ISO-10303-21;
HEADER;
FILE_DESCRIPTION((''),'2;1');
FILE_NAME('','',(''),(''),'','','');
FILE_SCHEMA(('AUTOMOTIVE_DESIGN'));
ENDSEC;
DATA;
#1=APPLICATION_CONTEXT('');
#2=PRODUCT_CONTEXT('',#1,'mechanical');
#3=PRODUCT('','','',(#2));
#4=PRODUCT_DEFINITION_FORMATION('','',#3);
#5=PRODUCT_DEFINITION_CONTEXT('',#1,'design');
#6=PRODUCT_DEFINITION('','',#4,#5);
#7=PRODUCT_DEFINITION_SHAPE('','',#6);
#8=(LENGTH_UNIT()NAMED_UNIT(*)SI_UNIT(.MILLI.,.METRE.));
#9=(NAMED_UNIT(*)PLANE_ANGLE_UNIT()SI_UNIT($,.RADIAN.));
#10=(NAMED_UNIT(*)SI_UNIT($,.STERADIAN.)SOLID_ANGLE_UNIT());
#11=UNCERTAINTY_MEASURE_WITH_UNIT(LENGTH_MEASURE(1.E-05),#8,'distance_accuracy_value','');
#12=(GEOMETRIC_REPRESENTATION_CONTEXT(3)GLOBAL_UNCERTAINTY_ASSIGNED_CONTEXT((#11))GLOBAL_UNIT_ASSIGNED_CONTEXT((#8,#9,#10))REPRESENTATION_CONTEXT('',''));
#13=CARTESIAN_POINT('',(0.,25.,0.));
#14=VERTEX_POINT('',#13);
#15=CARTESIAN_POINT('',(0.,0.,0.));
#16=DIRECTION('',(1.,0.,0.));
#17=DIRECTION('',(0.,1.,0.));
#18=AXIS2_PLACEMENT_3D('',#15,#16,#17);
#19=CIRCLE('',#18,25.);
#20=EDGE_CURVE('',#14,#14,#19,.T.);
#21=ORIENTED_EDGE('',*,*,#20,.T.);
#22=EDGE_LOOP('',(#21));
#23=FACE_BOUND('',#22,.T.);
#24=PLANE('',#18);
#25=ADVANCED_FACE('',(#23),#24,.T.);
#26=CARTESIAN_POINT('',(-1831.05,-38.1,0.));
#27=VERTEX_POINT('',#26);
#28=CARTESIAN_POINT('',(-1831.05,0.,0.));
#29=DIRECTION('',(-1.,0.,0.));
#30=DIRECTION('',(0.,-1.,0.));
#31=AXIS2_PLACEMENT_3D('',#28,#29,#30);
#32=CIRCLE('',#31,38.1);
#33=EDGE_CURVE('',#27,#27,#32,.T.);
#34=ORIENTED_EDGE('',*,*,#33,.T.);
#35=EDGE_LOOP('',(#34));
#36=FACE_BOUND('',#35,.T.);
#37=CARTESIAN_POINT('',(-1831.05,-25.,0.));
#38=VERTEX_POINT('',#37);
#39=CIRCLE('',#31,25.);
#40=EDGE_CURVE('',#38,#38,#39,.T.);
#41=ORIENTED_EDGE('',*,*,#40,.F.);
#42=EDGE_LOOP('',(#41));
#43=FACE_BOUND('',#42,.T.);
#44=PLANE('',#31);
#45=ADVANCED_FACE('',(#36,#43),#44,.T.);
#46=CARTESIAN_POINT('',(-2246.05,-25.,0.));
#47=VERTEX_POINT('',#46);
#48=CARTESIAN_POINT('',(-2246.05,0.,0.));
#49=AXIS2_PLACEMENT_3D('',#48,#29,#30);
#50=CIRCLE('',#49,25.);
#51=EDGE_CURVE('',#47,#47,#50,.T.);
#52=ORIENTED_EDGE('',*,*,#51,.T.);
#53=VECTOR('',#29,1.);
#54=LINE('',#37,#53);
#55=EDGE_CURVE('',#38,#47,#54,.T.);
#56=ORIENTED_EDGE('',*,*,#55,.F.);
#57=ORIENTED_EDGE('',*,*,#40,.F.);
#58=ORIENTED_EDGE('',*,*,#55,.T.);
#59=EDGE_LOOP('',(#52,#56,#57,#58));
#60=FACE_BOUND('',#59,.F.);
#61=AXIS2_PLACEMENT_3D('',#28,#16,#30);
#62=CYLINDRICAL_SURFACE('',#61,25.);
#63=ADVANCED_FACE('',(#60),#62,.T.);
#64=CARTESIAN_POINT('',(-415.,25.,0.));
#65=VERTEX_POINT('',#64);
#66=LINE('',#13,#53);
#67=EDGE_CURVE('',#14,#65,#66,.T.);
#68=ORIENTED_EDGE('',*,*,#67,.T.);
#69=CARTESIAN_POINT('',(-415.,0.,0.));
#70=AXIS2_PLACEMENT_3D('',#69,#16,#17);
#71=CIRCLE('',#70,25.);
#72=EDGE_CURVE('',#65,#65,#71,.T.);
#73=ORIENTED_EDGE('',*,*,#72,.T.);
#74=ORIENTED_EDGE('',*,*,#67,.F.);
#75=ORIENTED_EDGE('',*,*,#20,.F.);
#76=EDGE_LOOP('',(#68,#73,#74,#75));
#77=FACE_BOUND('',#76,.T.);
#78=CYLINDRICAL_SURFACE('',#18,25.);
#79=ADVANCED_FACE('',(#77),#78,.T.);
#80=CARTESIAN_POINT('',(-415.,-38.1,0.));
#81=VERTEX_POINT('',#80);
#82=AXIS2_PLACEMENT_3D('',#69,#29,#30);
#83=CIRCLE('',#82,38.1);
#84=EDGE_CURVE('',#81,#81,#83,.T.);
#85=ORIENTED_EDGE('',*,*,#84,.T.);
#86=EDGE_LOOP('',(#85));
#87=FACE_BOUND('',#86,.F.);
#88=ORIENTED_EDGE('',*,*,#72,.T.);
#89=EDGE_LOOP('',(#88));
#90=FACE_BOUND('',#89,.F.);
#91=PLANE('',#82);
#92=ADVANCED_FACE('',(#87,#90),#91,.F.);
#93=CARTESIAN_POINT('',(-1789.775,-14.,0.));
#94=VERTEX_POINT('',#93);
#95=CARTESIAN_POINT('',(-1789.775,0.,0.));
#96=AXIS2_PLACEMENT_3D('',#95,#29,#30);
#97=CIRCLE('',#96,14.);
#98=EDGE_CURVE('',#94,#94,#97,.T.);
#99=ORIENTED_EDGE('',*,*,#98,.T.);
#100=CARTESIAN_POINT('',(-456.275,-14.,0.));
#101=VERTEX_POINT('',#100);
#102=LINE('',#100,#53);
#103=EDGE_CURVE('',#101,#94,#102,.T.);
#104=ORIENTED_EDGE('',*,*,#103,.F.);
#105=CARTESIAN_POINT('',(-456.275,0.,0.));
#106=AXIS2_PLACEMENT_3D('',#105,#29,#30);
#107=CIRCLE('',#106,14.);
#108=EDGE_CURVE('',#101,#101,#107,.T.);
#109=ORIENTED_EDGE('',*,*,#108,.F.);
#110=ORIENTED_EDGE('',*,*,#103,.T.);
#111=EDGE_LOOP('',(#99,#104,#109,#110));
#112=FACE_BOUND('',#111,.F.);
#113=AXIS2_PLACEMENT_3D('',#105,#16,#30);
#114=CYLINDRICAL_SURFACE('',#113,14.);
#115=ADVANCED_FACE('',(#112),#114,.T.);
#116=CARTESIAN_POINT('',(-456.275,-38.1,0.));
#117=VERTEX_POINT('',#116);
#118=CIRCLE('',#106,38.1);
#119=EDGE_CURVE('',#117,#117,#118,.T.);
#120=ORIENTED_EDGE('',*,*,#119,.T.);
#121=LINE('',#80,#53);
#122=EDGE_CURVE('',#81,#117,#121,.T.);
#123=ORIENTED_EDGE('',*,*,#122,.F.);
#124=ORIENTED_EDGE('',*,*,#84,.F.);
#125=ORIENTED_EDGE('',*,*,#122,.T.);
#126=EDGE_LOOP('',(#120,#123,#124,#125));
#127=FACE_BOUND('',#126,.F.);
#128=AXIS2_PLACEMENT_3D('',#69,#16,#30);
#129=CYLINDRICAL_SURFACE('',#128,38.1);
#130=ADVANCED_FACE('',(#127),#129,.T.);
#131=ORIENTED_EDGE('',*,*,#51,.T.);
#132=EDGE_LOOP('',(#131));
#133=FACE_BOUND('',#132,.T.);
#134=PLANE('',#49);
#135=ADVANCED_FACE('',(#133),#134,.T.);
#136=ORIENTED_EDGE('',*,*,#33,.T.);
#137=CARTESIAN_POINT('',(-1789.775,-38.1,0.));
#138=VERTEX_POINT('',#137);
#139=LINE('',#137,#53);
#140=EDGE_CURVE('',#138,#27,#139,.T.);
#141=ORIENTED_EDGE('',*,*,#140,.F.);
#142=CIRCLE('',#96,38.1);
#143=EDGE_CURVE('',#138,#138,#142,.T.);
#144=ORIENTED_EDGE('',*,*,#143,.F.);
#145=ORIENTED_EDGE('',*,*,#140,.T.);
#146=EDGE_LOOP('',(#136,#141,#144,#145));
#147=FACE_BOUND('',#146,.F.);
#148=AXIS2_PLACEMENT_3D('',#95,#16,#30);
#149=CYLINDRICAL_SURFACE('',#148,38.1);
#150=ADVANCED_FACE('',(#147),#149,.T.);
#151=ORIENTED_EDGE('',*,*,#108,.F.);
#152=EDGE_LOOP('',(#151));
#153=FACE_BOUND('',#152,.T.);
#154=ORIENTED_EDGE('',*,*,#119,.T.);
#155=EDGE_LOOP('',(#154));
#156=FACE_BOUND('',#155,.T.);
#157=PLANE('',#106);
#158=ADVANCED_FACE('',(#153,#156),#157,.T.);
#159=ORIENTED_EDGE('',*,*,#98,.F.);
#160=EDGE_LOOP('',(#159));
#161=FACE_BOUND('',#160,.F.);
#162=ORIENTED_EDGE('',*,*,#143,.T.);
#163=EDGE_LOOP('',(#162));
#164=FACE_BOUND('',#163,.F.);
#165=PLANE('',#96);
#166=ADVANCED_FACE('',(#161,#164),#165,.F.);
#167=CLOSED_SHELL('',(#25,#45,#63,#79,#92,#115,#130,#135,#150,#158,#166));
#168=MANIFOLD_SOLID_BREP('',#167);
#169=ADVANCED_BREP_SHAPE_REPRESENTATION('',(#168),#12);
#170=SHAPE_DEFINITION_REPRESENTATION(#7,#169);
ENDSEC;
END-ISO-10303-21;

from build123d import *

# Parameters (mm, degrees)
F0_R     = 25
F1_DEPTH = 415
F2_R     = 38.1
F3_DEPTH = 41.275
F4_R     = 14
F5_DEPTH = 1333.5
F6_R     = 38.1
F7_DEPTH = 41.275
F8_R     = 25
F9_DEPTH = 415


with BuildPart() as f1:
    # F0 (on Right) → F1 (new body)
    with BuildSketch(Plane.YZ):
        Circle(F0_R)
    extrude(amount=-F1_DEPTH)



with BuildPart() as f3:
    # F2 (on face) → F3 (new body)
    with BuildSketch(Plane(origin=(-1789.775, 0, 0), x_dir=(0, -1, 0), z_dir=(-1, 0, 0))):
        Circle(F2_R)
    extrude(amount=F3_DEPTH)

    # F4 (on face) → F5 (join)
    with BuildSketch(Plane(origin=(-456.275, 0, 0), x_dir=(0, -1, 0), z_dir=(-1, 0, 0))):
        Circle(F4_R)
    extrude(amount=F5_DEPTH)


with BuildPart() as f1_1:
    add(f1.part)

    add(f3.part)  # F7 merges F3
    # F6 (on face) → F7 (join)
    with BuildSketch(Plane(origin=(-415, 0, 0), x_dir=(0, -1, 0), z_dir=(-1, 0, 0))):
        Circle(F6_R)
    extrude(amount=F7_DEPTH)

    # F8 (on face) → F9 (join)
    with BuildSketch(Plane(origin=(-1831.05, 0, 0), x_dir=(0, -1, 0), z_dir=(-1, 0, 0))):
        Circle(F8_R)
    extrude(amount=F9_DEPTH)


solid = f1_1.part
